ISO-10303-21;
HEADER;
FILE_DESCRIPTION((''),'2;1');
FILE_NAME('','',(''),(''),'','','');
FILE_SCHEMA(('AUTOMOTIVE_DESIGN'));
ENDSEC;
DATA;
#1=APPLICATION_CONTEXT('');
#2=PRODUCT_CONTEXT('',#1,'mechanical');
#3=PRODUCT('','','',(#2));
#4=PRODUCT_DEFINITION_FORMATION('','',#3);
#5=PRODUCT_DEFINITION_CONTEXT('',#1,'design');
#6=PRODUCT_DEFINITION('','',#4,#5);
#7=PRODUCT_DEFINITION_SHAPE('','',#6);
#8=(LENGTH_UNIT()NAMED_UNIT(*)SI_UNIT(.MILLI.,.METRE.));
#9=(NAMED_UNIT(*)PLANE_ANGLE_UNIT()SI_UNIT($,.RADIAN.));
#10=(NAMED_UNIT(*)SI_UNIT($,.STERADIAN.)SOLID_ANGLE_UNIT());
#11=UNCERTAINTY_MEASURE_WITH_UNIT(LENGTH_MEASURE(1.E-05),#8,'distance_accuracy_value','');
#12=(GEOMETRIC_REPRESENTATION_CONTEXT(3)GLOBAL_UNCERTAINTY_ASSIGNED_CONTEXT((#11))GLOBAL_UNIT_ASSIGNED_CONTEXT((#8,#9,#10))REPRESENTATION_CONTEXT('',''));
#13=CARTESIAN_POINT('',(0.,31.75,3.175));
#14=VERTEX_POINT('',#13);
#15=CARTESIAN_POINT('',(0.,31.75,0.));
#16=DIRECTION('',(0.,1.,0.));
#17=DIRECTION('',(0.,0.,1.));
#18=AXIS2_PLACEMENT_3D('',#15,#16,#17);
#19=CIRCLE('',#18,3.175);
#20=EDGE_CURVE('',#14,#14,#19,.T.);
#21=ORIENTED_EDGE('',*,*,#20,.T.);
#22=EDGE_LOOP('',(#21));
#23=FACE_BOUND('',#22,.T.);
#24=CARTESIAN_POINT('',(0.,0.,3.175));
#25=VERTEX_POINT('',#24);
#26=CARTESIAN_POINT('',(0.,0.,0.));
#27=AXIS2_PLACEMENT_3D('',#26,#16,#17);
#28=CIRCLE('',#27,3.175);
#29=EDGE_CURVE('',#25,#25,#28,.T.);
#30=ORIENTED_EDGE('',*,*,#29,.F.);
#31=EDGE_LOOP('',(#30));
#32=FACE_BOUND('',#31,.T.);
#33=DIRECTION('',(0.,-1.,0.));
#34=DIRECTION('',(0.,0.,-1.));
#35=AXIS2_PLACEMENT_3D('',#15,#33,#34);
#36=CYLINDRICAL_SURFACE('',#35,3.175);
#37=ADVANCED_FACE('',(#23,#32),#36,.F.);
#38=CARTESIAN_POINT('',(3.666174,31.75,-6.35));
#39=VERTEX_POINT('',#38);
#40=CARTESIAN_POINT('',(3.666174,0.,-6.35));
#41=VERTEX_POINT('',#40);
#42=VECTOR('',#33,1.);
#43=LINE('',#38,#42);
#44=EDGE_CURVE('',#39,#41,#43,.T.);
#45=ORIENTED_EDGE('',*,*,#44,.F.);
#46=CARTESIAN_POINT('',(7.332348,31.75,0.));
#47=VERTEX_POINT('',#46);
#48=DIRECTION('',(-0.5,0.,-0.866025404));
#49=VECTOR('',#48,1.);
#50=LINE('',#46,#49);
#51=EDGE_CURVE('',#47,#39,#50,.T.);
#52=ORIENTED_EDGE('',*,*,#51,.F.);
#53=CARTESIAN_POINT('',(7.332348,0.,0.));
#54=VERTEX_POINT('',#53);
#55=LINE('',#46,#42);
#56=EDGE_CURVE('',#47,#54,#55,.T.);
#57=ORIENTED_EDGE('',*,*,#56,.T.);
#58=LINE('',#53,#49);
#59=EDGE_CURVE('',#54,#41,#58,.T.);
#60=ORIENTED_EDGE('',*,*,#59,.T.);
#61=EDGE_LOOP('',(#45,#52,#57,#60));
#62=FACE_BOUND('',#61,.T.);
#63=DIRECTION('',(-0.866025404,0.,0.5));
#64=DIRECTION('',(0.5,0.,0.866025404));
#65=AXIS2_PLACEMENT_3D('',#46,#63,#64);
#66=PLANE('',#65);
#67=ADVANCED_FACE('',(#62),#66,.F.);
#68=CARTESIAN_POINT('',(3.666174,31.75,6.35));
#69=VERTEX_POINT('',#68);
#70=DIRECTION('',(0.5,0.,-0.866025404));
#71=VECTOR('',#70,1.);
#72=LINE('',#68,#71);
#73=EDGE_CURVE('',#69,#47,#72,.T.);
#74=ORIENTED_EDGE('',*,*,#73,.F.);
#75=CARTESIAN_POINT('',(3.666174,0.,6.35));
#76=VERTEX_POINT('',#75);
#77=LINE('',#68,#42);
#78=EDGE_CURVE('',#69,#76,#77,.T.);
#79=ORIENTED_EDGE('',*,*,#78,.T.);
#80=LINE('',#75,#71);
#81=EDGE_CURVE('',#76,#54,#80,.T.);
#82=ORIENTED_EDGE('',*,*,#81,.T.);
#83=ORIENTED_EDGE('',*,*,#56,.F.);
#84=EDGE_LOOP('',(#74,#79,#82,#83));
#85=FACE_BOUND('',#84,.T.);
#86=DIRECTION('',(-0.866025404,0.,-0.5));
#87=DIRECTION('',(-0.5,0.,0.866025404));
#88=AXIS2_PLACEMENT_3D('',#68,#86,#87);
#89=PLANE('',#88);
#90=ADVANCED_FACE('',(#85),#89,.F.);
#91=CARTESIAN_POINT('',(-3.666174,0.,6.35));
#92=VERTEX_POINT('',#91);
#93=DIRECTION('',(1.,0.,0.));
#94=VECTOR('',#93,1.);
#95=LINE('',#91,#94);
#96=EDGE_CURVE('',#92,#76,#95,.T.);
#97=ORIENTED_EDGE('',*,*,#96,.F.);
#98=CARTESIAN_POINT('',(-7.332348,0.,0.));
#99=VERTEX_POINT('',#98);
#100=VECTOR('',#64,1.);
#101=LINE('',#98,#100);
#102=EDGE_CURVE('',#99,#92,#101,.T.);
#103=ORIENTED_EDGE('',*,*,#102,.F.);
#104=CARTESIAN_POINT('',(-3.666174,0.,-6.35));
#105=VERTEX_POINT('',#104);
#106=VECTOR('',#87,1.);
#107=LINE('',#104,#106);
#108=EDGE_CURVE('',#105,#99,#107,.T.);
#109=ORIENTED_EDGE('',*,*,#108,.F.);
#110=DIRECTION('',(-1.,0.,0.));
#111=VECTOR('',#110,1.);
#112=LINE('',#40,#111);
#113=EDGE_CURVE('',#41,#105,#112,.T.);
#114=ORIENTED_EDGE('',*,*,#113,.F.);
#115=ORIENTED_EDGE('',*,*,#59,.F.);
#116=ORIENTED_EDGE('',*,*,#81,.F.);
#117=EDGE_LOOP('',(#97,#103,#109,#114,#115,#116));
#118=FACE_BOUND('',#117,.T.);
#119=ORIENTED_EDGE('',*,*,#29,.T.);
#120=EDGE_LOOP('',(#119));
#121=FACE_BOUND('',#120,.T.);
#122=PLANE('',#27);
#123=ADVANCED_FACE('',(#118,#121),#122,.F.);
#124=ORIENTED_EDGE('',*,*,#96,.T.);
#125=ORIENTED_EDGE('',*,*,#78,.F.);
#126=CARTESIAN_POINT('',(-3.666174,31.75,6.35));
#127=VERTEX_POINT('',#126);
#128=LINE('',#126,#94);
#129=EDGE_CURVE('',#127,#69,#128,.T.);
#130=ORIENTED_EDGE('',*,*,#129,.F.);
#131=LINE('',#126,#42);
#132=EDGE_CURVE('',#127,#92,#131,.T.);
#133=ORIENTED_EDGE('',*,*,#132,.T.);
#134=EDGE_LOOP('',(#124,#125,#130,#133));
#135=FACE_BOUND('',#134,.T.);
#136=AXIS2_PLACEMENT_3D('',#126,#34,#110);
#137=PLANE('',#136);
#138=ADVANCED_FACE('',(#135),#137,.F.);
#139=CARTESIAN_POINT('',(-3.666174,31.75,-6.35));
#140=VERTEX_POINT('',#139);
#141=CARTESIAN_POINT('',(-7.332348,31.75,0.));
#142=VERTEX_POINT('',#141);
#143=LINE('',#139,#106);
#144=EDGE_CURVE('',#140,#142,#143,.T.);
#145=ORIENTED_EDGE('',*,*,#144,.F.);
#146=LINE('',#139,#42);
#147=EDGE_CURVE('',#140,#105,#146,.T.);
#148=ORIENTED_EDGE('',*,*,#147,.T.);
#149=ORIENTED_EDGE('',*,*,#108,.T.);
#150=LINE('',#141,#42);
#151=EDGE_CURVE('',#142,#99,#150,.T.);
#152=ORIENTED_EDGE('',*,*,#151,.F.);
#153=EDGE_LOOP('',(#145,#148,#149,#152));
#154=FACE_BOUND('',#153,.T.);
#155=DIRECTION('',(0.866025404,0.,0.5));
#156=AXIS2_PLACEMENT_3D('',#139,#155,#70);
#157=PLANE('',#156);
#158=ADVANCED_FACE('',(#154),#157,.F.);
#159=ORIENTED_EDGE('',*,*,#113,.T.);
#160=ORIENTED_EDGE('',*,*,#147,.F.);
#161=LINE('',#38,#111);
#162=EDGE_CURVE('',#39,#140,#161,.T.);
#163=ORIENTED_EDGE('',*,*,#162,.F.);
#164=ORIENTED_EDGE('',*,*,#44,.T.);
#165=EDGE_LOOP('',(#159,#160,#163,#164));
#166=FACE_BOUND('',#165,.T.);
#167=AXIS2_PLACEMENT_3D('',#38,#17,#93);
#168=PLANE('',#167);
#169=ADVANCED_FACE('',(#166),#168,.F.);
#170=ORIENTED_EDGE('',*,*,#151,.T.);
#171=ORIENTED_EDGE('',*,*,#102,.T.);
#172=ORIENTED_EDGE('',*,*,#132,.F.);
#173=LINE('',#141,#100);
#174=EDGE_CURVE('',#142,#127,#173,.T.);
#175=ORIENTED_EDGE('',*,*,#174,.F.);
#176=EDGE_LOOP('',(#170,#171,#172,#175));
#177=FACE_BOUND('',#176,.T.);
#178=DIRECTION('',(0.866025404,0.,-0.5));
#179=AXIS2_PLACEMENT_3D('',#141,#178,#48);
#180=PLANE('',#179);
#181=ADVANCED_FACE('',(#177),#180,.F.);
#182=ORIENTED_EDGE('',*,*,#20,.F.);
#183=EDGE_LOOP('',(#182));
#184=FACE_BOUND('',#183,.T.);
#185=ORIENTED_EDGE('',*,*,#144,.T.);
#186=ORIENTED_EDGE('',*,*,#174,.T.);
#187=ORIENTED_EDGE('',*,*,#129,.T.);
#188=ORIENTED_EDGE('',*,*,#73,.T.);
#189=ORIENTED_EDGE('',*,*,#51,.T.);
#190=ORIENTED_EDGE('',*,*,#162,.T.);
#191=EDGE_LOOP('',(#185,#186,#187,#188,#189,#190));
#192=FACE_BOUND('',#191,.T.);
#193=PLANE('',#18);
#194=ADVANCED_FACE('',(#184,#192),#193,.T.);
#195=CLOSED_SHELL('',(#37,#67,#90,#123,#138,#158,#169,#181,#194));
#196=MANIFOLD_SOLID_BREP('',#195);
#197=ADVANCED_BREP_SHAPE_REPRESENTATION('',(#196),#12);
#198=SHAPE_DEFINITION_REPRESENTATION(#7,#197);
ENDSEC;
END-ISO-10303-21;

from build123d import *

# Parameters (mm, degrees)
SKETCH1_R           = 3.175
BOSS_EXTRUDE1_DEPTH = 31.75


with BuildPart() as part:
    # Sketch1 → Boss-Extrude1 (new body)
    with BuildSketch(Plane(origin=(0, 0, 0), x_dir=(1, 0, 0), z_dir=(0, 1, 0))):
        Polygon((7.332348419, 0), (3.666174209, 6.35), (-3.666174209, 6.35), (-7.332348419, 0), (-3.666174209, -6.35), (3.666174209, -6.35), align=None)
        with Locations(Location((0, 0, 0), (0, 0, 270))):
            Circle(SKETCH1_R, mode=Mode.SUBTRACT)
    extrude(amount=BOSS_EXTRUDE1_DEPTH)


solid = part.part
